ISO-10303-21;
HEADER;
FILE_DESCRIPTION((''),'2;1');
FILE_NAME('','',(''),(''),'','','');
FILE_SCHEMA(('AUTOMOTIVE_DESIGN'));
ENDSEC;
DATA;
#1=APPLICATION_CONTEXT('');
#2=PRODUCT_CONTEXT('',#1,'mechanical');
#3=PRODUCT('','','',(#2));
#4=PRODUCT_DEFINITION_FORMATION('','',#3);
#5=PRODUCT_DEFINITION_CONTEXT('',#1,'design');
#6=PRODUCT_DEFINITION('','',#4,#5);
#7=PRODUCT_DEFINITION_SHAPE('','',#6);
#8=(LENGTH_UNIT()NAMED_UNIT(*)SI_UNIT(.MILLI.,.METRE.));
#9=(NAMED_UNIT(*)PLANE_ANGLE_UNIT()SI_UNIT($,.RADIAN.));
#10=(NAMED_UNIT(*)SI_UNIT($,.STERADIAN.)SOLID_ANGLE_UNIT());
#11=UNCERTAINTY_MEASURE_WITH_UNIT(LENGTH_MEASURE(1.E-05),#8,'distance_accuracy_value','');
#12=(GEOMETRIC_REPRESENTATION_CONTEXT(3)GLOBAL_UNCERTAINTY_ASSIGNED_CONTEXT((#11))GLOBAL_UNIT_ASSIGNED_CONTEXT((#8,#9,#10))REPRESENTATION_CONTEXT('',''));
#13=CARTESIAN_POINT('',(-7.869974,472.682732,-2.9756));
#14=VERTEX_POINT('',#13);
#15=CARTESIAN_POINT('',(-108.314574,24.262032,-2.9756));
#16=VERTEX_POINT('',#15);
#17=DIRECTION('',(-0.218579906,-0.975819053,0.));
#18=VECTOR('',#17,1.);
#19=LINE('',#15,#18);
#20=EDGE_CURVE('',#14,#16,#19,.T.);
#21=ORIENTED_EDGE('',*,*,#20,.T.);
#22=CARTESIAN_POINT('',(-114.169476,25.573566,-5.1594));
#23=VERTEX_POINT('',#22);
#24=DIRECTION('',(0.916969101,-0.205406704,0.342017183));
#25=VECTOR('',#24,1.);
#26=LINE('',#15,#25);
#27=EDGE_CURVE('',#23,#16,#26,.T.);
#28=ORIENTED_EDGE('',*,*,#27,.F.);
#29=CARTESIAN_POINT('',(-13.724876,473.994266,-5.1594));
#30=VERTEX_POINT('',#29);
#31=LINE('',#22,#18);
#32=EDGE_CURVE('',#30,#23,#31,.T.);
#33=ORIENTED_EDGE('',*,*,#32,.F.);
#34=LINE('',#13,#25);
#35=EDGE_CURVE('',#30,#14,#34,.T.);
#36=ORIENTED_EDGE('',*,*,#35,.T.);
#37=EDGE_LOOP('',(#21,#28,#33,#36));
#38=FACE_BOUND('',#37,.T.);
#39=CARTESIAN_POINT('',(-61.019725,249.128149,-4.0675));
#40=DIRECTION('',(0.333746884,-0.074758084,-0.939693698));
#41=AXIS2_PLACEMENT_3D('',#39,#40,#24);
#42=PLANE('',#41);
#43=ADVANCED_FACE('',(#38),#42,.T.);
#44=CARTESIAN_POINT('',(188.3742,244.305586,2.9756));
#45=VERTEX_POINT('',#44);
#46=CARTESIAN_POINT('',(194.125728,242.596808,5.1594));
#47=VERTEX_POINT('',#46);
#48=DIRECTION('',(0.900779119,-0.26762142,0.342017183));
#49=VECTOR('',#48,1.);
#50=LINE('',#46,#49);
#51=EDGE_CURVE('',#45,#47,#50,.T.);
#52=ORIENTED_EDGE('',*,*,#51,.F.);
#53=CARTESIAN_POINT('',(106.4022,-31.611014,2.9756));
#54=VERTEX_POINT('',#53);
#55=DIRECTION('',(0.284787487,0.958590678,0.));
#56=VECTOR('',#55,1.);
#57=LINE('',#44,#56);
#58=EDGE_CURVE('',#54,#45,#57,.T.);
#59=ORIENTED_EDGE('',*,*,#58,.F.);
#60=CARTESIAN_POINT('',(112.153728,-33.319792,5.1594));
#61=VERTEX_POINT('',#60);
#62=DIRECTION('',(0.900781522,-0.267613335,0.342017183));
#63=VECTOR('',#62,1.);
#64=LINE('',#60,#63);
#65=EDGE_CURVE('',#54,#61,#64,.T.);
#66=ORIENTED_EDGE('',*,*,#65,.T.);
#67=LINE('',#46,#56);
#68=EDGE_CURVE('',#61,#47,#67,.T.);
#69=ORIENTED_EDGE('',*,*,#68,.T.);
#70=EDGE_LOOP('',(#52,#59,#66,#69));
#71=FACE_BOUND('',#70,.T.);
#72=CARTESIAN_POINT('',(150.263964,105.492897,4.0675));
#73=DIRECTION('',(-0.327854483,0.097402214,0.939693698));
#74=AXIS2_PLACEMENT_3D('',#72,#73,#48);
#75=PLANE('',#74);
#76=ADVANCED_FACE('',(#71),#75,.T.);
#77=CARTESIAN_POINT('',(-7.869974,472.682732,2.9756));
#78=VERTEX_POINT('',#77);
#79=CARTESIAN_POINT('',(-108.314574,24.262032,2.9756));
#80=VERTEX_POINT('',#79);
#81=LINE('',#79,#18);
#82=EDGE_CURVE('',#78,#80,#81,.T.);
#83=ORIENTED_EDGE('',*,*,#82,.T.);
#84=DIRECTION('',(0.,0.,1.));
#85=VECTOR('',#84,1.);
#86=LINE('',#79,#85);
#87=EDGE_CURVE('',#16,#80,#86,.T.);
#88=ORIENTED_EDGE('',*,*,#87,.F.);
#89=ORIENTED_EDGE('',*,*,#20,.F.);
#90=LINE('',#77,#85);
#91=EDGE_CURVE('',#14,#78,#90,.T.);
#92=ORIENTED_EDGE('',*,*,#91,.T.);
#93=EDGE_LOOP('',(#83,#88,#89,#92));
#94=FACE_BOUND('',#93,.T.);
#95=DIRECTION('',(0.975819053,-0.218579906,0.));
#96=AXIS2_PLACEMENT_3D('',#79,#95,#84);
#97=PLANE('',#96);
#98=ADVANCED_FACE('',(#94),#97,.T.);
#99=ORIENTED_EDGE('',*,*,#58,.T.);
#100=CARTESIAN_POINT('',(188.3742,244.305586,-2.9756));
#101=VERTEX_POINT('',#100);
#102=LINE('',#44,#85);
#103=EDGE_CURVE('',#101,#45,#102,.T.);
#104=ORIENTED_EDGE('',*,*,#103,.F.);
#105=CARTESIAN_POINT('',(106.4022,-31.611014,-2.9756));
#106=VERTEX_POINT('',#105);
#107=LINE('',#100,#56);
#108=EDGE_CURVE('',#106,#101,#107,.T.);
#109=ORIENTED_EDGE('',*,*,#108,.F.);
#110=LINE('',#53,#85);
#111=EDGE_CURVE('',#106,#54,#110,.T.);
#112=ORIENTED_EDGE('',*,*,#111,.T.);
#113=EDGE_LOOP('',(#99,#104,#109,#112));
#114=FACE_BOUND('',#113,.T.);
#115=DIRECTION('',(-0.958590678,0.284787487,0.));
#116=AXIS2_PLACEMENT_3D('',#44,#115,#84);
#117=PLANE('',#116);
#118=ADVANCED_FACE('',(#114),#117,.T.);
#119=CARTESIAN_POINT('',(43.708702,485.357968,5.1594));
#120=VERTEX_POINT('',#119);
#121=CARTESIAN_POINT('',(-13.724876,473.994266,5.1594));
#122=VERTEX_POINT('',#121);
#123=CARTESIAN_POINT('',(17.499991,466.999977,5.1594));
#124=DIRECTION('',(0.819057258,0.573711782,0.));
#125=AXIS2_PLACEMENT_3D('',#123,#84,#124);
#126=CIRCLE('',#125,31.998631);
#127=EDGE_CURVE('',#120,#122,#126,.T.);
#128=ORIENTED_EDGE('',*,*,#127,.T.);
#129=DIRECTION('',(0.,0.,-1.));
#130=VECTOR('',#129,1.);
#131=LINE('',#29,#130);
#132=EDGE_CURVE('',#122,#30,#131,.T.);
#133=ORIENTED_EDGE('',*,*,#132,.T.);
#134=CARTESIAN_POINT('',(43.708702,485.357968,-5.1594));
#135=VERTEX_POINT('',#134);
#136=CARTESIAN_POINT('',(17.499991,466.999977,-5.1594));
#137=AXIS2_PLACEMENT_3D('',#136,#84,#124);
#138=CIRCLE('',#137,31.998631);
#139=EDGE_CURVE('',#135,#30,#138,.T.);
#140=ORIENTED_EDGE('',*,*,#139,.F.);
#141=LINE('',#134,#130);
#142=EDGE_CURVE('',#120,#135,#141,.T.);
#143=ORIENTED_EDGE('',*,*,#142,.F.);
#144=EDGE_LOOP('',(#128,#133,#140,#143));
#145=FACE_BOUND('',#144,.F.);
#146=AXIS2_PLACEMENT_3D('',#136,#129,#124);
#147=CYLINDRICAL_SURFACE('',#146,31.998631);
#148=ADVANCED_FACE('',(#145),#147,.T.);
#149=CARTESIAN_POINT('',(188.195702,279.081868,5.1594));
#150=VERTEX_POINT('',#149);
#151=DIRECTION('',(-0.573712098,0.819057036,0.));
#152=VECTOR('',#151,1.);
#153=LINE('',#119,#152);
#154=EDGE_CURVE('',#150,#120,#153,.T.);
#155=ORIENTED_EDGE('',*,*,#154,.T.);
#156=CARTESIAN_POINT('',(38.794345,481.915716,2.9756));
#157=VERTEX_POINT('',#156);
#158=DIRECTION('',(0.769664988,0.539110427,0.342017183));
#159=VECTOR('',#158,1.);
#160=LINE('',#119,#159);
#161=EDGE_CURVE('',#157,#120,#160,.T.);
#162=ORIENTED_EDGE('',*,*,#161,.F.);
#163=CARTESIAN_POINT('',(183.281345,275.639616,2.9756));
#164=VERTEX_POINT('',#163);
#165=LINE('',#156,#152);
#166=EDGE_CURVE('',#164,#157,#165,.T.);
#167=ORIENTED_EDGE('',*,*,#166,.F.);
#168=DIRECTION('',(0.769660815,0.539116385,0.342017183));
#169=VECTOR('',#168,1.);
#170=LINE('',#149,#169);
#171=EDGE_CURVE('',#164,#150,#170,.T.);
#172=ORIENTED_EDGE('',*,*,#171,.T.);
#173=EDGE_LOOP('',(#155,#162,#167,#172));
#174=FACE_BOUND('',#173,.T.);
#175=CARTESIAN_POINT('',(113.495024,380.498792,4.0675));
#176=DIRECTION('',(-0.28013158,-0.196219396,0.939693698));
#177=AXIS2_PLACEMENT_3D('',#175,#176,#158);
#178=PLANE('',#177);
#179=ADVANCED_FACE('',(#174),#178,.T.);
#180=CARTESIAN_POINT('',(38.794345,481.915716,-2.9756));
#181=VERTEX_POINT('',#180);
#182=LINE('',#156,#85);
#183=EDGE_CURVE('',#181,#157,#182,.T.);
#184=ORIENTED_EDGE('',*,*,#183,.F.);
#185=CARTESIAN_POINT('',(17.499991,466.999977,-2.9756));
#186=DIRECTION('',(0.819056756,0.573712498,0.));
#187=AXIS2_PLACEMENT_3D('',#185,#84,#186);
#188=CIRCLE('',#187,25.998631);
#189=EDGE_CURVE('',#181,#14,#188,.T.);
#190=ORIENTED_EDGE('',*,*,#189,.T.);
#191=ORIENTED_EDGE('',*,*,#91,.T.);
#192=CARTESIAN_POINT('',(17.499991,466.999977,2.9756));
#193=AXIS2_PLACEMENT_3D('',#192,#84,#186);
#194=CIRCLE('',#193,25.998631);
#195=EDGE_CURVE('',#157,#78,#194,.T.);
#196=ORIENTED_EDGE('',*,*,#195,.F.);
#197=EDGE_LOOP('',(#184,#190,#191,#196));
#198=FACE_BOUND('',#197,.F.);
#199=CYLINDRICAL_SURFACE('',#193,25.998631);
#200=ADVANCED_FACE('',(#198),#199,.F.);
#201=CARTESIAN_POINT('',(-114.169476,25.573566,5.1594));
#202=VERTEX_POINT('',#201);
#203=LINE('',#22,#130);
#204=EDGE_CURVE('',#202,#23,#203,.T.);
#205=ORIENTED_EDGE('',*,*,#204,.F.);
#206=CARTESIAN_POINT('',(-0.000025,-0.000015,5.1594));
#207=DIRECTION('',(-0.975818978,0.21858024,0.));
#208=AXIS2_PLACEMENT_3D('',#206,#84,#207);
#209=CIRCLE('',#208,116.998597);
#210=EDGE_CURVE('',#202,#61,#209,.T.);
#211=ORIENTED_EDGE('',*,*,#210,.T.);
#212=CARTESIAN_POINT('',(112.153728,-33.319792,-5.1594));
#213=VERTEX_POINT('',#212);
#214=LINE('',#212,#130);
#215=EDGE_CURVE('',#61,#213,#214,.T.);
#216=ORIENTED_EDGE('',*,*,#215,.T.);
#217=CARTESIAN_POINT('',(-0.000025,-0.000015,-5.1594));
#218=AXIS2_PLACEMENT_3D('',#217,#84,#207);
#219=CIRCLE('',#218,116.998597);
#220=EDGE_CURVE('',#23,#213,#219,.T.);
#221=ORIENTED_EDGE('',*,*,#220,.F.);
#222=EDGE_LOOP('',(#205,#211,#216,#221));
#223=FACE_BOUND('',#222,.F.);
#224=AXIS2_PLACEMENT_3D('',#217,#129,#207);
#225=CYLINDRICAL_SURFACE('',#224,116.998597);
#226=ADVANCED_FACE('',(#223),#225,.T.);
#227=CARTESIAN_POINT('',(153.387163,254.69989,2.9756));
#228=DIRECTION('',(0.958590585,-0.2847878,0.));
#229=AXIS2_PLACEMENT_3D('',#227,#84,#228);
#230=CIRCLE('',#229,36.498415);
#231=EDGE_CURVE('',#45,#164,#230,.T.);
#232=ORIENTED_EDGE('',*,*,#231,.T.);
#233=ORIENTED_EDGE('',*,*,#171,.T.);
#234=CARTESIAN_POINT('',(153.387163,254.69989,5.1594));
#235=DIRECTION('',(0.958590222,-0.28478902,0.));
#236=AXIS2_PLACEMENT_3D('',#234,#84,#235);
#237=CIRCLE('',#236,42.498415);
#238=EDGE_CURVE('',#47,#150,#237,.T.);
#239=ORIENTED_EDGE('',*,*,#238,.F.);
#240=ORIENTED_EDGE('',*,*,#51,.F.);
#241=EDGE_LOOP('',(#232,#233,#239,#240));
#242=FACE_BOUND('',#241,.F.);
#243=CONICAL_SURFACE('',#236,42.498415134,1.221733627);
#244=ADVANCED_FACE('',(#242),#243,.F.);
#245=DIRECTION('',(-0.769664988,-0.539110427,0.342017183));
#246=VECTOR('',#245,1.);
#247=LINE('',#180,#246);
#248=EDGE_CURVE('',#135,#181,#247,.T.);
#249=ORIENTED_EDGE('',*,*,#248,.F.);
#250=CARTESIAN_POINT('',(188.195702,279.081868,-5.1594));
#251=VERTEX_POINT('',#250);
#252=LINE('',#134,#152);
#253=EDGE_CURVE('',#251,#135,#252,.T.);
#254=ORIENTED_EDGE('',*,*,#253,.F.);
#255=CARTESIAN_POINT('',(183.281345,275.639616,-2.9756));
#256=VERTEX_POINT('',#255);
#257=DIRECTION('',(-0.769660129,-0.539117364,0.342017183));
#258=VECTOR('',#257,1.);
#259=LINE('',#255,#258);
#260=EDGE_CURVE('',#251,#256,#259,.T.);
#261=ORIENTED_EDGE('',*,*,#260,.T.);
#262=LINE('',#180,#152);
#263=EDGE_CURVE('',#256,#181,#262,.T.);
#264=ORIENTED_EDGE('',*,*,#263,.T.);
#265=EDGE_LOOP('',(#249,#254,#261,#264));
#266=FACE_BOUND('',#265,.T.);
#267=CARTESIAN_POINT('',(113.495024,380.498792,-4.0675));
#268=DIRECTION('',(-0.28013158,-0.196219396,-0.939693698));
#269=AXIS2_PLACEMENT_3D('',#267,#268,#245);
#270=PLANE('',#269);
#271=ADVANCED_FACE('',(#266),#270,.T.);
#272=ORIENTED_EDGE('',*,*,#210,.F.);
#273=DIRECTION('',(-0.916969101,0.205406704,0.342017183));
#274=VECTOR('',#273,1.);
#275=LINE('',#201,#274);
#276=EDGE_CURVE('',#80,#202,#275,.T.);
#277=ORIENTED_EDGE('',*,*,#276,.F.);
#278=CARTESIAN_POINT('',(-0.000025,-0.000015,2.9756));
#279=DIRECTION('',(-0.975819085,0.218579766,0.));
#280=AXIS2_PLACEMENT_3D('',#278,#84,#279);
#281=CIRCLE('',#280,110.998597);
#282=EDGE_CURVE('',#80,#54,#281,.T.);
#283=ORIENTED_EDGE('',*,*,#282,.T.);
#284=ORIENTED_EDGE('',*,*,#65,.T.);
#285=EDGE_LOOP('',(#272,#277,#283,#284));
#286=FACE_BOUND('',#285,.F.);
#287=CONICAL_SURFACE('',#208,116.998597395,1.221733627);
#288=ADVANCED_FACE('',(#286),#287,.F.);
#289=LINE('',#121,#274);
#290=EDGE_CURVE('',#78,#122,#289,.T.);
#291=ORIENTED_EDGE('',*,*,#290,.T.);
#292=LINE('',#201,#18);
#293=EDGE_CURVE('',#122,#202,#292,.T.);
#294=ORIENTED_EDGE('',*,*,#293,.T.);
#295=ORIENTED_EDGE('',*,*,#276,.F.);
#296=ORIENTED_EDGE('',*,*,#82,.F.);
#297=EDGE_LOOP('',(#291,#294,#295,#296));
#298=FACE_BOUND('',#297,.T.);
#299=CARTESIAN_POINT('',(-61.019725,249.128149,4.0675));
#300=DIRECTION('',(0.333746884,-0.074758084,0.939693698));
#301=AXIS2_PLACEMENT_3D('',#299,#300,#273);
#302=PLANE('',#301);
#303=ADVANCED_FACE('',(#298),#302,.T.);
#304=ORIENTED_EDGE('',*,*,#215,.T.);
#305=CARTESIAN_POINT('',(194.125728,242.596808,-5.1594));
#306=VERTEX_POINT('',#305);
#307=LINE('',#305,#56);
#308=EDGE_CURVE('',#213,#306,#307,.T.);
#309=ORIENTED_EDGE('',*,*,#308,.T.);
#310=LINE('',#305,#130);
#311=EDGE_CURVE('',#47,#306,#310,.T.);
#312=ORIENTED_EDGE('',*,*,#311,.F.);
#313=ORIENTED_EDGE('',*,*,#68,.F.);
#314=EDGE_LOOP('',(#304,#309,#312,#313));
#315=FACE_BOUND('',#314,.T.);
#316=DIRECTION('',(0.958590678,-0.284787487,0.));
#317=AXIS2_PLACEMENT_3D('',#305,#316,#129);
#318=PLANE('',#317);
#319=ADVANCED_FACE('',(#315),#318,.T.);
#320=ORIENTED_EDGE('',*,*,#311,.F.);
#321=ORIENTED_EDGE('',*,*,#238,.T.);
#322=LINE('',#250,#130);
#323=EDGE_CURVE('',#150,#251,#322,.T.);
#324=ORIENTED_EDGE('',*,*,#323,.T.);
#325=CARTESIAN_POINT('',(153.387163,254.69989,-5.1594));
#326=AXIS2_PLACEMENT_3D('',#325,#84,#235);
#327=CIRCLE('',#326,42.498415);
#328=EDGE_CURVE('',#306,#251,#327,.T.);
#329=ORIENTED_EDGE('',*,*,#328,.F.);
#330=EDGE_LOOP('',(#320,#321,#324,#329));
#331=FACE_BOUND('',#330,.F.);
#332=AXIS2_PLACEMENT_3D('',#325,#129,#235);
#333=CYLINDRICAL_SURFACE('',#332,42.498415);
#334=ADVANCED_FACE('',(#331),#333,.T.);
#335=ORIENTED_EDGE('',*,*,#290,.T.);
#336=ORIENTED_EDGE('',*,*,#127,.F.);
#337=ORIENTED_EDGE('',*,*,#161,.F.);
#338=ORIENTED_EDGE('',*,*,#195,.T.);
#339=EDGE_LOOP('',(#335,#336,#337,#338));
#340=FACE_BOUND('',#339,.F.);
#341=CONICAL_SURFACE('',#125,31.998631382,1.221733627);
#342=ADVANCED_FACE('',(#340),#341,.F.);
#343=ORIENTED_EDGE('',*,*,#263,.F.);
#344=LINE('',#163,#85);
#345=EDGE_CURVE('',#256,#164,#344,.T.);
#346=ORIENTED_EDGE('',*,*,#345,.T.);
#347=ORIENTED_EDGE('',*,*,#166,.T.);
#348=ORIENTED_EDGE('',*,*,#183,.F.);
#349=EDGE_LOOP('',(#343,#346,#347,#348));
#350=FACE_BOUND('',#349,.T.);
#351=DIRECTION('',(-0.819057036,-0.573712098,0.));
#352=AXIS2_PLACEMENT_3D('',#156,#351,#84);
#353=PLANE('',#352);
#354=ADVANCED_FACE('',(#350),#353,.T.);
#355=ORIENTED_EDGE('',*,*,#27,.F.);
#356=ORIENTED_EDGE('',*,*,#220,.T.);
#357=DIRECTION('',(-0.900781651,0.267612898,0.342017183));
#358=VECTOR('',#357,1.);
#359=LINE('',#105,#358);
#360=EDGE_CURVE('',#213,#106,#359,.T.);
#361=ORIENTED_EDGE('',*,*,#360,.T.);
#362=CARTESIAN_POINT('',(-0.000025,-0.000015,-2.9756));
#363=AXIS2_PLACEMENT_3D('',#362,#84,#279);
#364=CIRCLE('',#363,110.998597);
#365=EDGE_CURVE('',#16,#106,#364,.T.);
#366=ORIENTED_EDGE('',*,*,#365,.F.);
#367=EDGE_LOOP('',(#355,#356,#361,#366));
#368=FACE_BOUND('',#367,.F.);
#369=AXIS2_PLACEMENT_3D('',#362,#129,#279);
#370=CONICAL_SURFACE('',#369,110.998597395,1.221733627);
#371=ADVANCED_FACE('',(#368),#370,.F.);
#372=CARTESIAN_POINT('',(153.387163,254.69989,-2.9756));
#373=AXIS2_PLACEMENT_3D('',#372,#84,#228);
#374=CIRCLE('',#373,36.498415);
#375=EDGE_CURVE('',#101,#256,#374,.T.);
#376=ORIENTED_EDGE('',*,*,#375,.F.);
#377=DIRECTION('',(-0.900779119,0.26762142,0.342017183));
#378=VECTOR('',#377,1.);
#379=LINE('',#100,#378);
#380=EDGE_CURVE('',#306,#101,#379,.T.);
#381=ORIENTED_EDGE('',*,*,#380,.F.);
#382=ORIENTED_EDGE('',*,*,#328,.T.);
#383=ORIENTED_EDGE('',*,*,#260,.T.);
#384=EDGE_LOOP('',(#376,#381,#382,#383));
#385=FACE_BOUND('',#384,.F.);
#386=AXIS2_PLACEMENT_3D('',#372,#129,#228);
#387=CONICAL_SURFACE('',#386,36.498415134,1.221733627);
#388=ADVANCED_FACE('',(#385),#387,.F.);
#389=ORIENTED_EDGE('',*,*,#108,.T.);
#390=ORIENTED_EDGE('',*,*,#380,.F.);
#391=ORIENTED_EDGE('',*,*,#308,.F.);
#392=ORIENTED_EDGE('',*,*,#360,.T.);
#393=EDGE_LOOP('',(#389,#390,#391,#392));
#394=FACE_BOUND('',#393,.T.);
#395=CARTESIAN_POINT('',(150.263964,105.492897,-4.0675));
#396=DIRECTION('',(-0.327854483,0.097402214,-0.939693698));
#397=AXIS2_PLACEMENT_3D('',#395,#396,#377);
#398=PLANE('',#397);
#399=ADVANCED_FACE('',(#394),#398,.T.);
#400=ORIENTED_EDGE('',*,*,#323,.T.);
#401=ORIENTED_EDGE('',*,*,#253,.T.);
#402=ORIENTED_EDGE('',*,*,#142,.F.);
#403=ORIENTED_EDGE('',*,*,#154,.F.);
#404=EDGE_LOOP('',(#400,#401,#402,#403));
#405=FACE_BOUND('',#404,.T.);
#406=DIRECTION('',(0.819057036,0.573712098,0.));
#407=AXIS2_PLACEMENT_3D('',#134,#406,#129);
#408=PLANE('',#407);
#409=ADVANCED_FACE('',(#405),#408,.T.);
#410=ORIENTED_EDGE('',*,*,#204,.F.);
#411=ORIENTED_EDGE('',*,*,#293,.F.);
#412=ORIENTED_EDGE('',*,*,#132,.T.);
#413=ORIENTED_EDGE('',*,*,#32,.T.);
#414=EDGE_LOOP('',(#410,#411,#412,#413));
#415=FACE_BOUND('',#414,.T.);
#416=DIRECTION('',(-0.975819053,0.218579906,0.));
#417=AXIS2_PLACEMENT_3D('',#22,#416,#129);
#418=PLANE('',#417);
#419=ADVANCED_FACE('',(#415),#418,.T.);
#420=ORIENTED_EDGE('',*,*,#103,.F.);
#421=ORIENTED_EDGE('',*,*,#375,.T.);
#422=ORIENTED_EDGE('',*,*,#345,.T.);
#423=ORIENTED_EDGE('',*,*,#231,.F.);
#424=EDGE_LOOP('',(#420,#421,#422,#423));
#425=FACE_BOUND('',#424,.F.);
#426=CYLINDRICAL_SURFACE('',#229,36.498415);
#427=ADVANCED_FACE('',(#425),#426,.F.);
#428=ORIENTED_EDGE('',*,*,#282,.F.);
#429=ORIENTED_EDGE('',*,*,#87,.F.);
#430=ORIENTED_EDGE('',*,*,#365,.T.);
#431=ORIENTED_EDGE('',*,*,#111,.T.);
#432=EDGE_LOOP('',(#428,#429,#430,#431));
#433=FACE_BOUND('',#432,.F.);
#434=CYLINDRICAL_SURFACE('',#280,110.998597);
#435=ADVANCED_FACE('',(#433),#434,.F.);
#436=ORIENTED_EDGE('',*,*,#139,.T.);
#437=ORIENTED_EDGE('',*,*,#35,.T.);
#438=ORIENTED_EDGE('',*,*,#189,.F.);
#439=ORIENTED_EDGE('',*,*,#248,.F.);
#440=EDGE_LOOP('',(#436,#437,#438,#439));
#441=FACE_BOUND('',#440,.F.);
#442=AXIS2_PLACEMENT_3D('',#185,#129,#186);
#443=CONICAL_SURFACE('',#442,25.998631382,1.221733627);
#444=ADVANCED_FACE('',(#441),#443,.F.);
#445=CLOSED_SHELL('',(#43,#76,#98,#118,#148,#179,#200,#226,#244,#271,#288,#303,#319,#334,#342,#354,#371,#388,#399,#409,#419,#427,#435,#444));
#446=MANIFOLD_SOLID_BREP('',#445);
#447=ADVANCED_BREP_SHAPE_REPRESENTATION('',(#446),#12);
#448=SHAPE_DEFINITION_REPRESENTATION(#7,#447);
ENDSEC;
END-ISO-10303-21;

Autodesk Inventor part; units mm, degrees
ref_plane "YZ Plane" through (0, 0, 0) normal (1, 0, 0) x (0, 1, 0)
ref_plane "XZ Plane" through (0, 0, 0) normal (0, 1, 0) x (-1, 0, 0)
sketch "Chemin d'esquisse" plane through (0, 0, 0) normal (0, 0, 1) x (1, 0, 0)
  arc A0 (-111.7313, 25.0274) -> (109.7586, -32.6082) centre (0, 0) ccw
  arc A1 (41.6622, 483.9245) -> (-11.2867, 473.4481) centre (17.5, 467) ccw
  arc A2 (191.7306, 243.3084) -> (186.1492, 277.6484) centre (153.387, 254.6999) ccw
  line L0 (191.7306, 243.3084) -> (109.7586, -32.6082)
  line L1 (-111.7313, 25.0274) -> (-11.2867, 473.4481)
  line L2 (41.6622, 483.9245) -> (186.1492, 277.6484)
ref_plane "Plan de section" through (109.7586, -32.6082, 0) normal (0.2848, 0.9586, 0) x (0, 0, 1)
sketch "Section" plane through (109.7586, -32.6082, 0) normal (0.2848, 0.9586, 0) x (0, 0, 1)
  line L0 (0, 2.4986) -> (0, -3.5014) construction
  line L1 (-4.25, 0) -> (4.25, 0) construction
  line L2 (-5.1594, 2.4986) -> (5.1594, 2.4986)
  line L3 (5.1594, 2.4986) -> (2.9756, -3.5014)
  line L4 (2.9756, -3.5014) -> (-2.9756, -3.5014)
  line L5 (-2.9756, -3.5014) -> (-5.1594, 2.4986)
  point P0 (0, 0)
  point P1 (0, 0)
  point P2 (0, 0)
  dimension "d0" = 8.5
  dimension "d1" = 2.4986
  dimension "d2" = 40
  dimension "d3" = 6
sweep "Courroie" add profiles "Section" path "Chemin d'esquisse"
equation "\"d0\" = da_Bw"
equation "\"d1\" = da_Hw"
equation "\"d2\" = da_Alfa"
equation "\"d3\" = da_H"
equation "\"da_Alfa\" = 40deg"
equation "\"da_H\" = 6"
equation "\"da_Bw\" = 8.5"
equation "\"da_Hw\" = 2.49859"
properties part number "Courroie trapézoïdale" material "Rubber"
